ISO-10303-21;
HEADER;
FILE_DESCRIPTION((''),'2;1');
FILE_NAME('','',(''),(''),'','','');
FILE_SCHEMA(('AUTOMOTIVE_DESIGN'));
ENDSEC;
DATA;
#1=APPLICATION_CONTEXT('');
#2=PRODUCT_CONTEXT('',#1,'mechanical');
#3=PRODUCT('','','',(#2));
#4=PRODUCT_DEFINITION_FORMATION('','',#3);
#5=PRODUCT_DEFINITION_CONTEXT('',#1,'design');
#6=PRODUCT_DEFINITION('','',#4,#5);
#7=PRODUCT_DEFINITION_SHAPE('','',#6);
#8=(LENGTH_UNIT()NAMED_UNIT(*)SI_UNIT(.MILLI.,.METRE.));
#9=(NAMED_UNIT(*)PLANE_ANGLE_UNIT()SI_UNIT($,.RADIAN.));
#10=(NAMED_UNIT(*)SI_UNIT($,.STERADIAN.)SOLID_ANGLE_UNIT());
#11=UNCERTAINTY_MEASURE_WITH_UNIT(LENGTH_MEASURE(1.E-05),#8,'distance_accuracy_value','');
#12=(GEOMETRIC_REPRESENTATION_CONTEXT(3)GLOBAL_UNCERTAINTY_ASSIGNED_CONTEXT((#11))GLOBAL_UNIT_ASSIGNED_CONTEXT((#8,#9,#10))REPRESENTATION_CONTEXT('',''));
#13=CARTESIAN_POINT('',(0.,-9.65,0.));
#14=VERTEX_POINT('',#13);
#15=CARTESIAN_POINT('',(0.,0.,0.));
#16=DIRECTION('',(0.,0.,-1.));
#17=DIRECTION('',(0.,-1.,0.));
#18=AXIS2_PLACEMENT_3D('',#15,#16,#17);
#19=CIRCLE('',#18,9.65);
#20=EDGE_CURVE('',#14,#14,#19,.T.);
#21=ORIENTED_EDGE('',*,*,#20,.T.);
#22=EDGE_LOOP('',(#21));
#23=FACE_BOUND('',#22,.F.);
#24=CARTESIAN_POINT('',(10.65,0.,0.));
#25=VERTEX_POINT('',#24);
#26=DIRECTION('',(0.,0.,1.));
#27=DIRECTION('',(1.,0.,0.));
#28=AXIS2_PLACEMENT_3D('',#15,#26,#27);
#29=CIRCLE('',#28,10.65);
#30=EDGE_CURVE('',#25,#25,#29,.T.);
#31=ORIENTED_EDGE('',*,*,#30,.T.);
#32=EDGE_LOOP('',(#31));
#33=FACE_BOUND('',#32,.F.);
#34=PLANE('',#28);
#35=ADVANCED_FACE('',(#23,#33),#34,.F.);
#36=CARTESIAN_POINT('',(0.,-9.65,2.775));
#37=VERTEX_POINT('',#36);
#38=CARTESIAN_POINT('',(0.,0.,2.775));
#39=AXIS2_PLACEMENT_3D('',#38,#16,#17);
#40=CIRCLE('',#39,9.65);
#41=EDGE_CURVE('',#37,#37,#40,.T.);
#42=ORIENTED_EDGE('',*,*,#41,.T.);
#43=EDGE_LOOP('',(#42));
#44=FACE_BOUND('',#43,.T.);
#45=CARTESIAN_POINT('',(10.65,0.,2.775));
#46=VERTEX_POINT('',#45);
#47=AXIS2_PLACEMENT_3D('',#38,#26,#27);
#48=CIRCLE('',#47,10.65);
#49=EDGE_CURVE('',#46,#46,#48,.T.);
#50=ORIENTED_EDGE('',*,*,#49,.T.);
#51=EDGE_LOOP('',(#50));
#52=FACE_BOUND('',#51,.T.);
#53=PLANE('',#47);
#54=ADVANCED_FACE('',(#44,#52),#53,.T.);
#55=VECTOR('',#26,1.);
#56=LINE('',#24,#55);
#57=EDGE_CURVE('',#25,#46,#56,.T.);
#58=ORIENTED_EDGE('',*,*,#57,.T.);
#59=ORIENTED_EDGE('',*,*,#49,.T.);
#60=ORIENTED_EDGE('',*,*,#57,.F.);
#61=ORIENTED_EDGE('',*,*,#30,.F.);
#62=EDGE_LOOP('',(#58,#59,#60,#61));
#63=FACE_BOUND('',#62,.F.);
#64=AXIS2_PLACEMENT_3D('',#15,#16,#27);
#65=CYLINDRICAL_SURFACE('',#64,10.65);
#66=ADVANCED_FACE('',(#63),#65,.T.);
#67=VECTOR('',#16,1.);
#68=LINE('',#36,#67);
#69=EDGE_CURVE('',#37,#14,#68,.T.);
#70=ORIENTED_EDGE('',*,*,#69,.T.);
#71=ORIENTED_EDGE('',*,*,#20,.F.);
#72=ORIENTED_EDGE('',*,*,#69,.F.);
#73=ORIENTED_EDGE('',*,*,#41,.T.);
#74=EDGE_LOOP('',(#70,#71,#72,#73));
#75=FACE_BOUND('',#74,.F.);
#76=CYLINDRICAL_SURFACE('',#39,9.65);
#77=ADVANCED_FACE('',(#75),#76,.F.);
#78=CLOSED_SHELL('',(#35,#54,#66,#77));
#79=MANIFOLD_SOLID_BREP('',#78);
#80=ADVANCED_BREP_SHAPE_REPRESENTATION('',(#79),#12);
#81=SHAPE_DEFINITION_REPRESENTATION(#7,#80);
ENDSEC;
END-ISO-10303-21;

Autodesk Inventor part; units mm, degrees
ref_plane "YZ Plane" through (0, 0, 0) normal (1, 0, 0) x (0, 1, 0)
ref_plane "XZ Plane" through (0, 0, 0) normal (0, 1, 0) x (-1, 0, 0)
ref_plane "XY Plane" through (0, 0, 0) normal (0, 0, 1) x (1, 0, 0)
sketch "Sketch1" plane through (0, 0, 0) normal (0, 0, 1) x (1, 0, 0)
  circle A0 centre (0, 0) radius 10.65
  dimension "d0" = 21.3
extrude "Extrusion1" add sketch "Sketch1" along normal blind 2.775
sketch "Sketch2" plane through (0, 0, 2.775) normal (0, 0, 1) x (1, 0, 0)
  point P0 (0, 0)
  point P1 (0, 0)
hole "Hole1" at (0, 0, 2.775) direction (0, 0, -1) diameter 19.3 end through all
properties part number "CoverPart4"
